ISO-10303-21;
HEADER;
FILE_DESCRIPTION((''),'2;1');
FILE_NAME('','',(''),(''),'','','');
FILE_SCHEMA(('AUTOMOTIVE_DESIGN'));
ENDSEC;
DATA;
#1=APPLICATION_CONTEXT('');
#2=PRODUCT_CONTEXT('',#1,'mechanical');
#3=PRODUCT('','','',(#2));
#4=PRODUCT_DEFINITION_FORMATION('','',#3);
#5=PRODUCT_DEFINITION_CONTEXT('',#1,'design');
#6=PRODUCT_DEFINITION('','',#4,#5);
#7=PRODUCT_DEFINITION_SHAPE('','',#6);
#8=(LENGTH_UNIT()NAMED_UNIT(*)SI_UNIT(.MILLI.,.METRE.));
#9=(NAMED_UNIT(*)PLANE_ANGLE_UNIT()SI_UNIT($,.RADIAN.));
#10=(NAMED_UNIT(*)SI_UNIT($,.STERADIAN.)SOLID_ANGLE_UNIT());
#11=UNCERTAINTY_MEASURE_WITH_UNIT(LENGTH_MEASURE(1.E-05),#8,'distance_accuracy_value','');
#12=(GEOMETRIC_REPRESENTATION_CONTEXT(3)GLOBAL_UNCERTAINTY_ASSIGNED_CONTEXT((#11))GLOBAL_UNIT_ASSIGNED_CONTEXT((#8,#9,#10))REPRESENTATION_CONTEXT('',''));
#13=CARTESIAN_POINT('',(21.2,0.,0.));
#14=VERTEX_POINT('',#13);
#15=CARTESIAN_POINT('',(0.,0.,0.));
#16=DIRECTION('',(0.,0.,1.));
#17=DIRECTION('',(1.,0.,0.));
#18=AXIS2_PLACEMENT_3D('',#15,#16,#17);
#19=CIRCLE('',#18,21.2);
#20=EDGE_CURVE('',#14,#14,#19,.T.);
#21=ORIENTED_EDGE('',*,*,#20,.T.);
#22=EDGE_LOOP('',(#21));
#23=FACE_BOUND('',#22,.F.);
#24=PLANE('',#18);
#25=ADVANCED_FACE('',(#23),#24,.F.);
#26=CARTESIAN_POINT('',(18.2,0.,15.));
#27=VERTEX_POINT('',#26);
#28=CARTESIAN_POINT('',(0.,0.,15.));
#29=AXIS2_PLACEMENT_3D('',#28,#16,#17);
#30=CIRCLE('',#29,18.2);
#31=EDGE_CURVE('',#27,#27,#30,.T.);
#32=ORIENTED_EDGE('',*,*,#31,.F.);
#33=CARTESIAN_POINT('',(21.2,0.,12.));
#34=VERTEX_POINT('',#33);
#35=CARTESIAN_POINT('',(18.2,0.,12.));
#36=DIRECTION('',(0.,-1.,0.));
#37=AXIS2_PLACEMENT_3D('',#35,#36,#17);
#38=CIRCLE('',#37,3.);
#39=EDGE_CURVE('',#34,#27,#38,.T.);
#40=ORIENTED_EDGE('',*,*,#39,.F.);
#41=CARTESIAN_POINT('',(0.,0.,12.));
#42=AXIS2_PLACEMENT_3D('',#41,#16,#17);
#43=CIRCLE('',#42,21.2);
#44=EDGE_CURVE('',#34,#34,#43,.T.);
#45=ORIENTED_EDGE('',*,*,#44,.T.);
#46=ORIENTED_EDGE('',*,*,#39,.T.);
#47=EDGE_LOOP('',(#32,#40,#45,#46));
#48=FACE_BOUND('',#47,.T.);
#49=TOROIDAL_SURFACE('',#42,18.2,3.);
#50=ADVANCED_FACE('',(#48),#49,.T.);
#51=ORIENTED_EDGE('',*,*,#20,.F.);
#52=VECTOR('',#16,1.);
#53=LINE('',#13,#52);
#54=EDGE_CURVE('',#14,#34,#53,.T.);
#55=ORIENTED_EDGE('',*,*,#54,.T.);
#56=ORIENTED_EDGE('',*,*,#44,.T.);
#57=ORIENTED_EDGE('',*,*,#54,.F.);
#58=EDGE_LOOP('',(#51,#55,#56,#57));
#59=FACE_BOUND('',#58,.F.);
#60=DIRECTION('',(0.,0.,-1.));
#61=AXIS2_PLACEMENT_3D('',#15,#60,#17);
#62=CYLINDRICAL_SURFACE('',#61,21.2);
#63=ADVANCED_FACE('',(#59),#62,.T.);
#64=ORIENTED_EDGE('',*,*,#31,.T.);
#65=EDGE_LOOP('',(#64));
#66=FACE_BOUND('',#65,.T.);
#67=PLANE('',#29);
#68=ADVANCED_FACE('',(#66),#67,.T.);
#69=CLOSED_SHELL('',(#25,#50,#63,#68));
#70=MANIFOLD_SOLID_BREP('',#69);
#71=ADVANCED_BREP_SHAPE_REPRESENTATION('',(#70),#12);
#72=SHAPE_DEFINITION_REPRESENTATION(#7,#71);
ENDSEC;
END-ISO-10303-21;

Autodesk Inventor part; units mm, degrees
ref_plane "YZ Plane" through (0, 0, 0) normal (1, 0, 0) x (0, 1, 0)
ref_plane "XZ Plane" through (0, 0, 0) normal (0, 1, 0) x (-1, 0, 0)
ref_plane "XY Plane" through (0, 0, 0) normal (0, 0, 1) x (1, 0, 0)
sketch "스케치1" plane through (0, 0, 0) normal (0, 0, 1) x (1, 0, 0)
  circle A0 centre (0, 0) radius 21.2
  dimension "d0" = 42.4
extrude "돌출1" add sketch "스케치1" along normal blind 15
fillet "모깎기1" radius 3 1 edges at (-21.2, 0, 15)
properties part number "encoder"
